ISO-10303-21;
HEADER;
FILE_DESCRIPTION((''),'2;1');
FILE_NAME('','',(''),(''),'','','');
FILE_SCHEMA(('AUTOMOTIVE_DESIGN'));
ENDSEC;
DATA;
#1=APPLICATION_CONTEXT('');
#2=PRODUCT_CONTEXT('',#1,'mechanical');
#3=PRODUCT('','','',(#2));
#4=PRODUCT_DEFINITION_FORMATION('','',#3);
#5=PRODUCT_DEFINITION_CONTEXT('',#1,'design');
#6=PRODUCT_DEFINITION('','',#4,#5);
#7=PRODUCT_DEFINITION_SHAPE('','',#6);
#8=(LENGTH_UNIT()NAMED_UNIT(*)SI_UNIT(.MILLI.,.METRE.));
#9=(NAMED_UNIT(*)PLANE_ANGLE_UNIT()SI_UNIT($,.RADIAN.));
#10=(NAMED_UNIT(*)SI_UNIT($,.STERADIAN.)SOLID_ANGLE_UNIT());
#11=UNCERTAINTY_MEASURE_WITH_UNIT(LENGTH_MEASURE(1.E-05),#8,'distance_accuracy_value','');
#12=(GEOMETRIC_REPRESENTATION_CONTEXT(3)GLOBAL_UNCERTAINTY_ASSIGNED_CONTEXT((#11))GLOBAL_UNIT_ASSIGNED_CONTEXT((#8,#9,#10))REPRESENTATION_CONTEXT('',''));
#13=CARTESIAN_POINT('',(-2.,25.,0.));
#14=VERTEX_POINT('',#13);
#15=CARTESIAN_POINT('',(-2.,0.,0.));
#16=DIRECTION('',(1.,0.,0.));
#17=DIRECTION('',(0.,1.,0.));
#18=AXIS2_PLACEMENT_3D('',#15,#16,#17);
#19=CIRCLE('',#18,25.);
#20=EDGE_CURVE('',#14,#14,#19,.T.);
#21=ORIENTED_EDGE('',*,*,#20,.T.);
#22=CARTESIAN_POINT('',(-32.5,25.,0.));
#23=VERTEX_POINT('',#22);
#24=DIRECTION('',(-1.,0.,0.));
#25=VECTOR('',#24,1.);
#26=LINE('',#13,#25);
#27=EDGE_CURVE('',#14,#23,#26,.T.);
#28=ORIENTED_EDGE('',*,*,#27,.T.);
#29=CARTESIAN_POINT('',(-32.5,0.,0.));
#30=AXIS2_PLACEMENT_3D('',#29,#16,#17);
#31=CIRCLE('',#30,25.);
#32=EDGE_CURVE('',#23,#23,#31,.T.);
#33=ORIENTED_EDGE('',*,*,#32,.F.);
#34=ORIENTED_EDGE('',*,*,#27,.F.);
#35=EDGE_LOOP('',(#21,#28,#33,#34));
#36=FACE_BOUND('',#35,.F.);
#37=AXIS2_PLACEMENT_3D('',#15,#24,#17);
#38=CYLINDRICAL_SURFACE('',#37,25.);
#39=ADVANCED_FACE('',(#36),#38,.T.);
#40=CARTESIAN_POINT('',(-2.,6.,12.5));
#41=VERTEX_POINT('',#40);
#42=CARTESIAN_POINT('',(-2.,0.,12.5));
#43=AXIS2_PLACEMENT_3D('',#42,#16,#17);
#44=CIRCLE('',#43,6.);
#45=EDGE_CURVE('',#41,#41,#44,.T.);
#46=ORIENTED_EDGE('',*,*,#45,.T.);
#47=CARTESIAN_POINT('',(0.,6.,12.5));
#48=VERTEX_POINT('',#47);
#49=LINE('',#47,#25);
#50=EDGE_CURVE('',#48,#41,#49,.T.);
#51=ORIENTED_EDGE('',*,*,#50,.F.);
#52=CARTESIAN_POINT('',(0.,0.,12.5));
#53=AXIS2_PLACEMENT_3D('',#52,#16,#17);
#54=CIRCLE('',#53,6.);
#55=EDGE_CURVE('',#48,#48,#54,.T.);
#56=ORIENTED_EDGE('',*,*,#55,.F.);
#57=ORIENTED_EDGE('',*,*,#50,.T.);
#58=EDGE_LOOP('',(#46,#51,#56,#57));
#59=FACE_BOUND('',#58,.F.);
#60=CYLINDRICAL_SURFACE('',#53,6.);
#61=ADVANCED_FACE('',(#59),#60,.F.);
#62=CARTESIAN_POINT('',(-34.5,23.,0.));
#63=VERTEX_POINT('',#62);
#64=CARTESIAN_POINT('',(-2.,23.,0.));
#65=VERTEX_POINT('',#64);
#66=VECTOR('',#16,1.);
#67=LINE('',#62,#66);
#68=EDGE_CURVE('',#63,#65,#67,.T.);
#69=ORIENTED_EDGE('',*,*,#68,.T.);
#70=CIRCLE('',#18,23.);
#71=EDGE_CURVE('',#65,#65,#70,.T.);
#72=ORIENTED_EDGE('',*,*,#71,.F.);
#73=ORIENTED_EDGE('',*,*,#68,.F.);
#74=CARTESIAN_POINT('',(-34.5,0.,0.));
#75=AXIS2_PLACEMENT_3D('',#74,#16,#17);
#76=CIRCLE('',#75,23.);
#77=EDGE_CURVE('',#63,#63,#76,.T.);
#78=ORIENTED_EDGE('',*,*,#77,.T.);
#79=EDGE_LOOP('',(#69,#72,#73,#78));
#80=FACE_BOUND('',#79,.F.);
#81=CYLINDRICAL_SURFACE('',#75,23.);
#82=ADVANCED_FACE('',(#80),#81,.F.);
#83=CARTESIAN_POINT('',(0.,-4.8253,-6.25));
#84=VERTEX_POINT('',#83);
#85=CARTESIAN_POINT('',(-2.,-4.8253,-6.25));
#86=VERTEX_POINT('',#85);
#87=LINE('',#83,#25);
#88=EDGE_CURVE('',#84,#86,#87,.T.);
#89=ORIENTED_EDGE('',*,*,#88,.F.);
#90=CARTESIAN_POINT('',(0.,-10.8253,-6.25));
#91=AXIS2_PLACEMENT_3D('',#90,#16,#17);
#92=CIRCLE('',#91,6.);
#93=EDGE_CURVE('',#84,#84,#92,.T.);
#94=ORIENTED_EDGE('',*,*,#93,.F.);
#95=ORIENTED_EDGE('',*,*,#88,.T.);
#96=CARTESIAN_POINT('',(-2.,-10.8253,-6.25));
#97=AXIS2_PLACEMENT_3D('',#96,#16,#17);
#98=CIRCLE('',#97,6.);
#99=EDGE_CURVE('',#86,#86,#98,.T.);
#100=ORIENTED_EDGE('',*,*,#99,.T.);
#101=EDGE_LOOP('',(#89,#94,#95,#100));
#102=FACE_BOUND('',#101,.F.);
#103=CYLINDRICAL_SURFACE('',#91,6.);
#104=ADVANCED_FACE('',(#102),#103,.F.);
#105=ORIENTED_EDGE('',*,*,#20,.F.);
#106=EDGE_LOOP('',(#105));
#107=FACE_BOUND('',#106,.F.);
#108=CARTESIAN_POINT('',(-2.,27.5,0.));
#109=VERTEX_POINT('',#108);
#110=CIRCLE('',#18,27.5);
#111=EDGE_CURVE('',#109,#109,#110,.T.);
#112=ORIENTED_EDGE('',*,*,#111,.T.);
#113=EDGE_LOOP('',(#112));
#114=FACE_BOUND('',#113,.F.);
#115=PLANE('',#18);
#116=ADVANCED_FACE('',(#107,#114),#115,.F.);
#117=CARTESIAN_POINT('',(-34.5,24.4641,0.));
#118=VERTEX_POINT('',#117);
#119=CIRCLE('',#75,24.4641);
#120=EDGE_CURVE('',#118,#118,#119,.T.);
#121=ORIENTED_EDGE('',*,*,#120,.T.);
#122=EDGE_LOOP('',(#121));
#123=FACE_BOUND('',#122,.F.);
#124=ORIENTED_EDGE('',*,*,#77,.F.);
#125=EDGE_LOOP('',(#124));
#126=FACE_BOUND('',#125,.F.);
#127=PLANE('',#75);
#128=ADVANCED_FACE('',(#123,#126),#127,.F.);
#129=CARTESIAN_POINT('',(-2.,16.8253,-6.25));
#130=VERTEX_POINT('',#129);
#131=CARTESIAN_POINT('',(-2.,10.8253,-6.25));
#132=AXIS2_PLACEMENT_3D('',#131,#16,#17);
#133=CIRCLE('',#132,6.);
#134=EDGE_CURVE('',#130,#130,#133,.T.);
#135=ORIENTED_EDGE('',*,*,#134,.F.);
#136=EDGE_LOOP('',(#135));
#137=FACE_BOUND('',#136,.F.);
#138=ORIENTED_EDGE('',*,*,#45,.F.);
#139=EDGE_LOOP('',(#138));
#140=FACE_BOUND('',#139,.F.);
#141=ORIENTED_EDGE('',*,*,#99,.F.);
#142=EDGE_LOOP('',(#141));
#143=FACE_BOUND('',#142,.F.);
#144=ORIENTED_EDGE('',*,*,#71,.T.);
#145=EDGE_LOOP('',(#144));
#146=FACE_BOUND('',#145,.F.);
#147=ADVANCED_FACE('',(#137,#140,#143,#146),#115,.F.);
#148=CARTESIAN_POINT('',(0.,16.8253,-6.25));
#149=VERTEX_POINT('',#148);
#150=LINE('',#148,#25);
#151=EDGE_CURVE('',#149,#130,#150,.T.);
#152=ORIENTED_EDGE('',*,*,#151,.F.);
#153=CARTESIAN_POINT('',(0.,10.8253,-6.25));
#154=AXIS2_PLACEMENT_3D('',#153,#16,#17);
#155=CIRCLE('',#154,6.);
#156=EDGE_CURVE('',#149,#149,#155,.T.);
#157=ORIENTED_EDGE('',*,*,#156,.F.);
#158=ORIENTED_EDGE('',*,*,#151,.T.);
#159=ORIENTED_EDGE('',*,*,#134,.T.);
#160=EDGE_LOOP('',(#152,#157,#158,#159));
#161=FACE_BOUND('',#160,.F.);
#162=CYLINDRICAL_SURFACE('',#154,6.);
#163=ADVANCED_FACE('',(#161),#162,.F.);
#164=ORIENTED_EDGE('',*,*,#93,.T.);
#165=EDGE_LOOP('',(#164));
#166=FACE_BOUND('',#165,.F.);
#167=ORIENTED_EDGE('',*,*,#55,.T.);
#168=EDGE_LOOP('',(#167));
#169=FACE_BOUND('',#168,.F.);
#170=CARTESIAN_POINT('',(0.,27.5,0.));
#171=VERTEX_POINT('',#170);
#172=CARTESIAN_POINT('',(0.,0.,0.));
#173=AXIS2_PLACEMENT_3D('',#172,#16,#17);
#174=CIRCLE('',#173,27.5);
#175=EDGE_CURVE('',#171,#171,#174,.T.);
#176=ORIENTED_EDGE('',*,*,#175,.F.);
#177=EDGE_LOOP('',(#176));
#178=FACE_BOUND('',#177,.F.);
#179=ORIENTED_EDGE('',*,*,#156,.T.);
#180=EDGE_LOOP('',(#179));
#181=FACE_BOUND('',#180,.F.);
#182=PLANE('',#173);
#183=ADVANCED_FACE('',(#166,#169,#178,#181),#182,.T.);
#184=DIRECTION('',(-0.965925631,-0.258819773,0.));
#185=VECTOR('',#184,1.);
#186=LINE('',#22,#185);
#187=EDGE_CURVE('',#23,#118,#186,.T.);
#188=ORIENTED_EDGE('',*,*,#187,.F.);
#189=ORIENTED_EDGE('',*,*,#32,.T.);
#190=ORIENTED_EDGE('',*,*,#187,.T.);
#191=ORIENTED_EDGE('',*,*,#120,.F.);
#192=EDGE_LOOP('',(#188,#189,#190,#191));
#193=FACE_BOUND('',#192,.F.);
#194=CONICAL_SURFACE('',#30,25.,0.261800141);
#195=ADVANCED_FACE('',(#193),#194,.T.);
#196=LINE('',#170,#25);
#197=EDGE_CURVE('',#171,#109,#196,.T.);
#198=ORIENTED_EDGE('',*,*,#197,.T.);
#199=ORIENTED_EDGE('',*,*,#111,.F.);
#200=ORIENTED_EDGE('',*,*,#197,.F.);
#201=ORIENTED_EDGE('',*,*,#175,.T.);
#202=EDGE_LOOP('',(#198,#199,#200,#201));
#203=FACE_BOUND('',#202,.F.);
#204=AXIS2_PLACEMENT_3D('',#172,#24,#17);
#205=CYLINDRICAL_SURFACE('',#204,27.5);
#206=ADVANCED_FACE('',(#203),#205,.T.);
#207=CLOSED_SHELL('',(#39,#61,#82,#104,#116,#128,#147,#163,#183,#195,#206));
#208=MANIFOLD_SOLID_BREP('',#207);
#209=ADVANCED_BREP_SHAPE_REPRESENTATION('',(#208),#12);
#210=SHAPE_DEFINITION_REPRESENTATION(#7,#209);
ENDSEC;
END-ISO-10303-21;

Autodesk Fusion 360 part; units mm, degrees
sketch "Skizze1" plane through (0, 0, 0) normal (0, 0, 1) x (1, 0, 0)
  line L0 (0, 0) -> (0, 27.5)
  line L1 (0, 27.5) -> (-2, 27.5)
  line L2 (-2, 27.5) -> (-2, 25)
  line L3 (-2, 25) -> (-32.5, 25)
  line L4 (-32.5, 25) -> (-34.5, 24.4641)
  line L5 (-34.5, 24.4641) -> (-34.5, 23)
  line L6 (-34.5, 23) -> (-2, 23)
  line L7 (-2, 23) -> (-2, 0)
  line L8 (-2, 0) -> (0, 0)
  dimension "d2" = 27.5
  dimension "d3" = 32.5
  dimension "d4" = 2
  dimension "d5" = 23
  dimension "d6" = 25
  dimension "d7" = 15
  dimension "d8" = 2
revolve "Drehen1" add sketch "Skizze1" angle 360 about axis through (1.75, 0, 0) along (1, 0, 0)
sketch "Skizze3" plane through (0, 0, 0) normal (1, 0, 0) x (0, 1, 0)
  circle A0 centre (0, 0) radius 27.5
  circle A1 centre (-10.8253, -6.25) radius 6
  circle A2 centre (0, 12.5) radius 6
  circle A3 centre (10.8253, -6.25) radius 6
  line L0 (0, 0) -> (0, 27.5) construction
  line L1 (0, 0) -> (23.8157, -13.75) construction
  line L2 (0, 0) -> (-23.8157, -13.75) construction
  circle A4 centre (0, 0) radius 12.5 construction
  circle A5 centre (0, 0) radius 23
  circle A6 centre (0, 0) radius 23
  dimension "d9" = 120
  dimension "d10" = 120
  dimension "d11" = 12
  dimension "d12" = 25
extrude "Extrusion1" cut sketch "Skizze3" against normal up to surface (2 mm away) contours A1 | A2 | A3
equation "d2 = ( 55 / 2 ) * 1 mm"
equation "d5 = ( 46 / 2 ) * 1 mm"
equation "d6 = ( 50 / 2 ) * 1 mm"
